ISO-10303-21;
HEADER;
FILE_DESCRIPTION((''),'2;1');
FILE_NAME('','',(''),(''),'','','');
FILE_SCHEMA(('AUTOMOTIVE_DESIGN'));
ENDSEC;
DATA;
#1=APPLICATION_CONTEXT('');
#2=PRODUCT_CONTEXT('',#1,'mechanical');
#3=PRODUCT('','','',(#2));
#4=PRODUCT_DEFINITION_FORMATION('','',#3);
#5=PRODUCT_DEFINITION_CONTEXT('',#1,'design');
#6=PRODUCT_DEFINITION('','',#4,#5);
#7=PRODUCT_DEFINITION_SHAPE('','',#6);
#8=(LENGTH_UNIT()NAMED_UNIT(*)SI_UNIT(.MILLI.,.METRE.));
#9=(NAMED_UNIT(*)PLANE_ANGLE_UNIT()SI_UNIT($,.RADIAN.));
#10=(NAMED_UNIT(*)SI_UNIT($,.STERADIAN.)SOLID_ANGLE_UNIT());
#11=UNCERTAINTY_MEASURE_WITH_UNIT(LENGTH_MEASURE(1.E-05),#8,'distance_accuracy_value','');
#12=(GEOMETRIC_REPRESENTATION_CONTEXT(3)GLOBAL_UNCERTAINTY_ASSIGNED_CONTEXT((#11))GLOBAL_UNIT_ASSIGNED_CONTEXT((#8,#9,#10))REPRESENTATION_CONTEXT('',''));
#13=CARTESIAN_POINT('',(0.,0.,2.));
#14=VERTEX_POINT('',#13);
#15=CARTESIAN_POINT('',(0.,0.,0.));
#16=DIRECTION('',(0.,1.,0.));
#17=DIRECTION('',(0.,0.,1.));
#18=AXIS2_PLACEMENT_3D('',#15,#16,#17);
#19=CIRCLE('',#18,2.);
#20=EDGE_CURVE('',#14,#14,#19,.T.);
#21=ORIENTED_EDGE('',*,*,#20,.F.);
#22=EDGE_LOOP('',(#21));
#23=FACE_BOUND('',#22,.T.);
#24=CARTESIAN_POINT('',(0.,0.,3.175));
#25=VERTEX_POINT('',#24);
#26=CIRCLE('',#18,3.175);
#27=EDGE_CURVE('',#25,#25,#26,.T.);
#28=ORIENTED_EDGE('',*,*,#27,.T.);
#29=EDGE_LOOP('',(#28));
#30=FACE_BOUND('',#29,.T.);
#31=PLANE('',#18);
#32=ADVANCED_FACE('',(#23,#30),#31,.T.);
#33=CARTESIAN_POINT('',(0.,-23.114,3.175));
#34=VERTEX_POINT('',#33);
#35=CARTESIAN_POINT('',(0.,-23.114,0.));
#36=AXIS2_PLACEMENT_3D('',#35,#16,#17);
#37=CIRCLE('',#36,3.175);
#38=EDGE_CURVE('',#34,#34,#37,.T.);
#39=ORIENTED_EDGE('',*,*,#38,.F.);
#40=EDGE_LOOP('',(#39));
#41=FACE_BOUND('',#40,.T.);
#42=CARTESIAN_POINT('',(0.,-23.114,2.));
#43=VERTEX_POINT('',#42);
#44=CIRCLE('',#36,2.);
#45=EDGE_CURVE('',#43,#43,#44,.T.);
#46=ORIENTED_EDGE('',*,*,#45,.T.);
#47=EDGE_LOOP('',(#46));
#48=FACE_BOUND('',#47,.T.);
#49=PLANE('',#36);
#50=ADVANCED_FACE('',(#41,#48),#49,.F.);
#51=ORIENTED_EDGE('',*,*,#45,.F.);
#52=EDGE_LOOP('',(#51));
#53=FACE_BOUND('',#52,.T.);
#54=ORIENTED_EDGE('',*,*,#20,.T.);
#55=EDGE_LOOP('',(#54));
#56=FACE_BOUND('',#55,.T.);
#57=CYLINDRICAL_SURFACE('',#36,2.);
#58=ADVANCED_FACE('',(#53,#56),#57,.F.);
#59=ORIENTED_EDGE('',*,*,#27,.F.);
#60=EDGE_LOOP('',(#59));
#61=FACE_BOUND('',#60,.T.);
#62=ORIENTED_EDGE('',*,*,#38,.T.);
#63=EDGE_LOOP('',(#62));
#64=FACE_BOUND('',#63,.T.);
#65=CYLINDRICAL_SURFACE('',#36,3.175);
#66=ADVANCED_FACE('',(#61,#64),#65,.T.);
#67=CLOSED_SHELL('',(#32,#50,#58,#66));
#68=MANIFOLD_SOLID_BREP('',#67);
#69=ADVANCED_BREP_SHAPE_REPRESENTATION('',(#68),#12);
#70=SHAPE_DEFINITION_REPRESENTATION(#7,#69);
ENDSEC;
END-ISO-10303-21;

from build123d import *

# Parameters (mm, degrees)
SKETCH1_R           = 3.175
SKETCH1_R_2         = 2
BOSS_EXTRUDE1_DEPTH = 23.114


with BuildPart() as part:
    # Sketch1 → Boss-Extrude1 (new body)
    with BuildSketch(Plane(origin=(0, 0, 0), x_dir=(1, 0, 0), z_dir=(0, 1, 0))):
        Circle(SKETCH1_R)
        Circle(SKETCH1_R_2, mode=Mode.SUBTRACT)
    extrude(amount=-BOSS_EXTRUDE1_DEPTH)


solid = part.part
